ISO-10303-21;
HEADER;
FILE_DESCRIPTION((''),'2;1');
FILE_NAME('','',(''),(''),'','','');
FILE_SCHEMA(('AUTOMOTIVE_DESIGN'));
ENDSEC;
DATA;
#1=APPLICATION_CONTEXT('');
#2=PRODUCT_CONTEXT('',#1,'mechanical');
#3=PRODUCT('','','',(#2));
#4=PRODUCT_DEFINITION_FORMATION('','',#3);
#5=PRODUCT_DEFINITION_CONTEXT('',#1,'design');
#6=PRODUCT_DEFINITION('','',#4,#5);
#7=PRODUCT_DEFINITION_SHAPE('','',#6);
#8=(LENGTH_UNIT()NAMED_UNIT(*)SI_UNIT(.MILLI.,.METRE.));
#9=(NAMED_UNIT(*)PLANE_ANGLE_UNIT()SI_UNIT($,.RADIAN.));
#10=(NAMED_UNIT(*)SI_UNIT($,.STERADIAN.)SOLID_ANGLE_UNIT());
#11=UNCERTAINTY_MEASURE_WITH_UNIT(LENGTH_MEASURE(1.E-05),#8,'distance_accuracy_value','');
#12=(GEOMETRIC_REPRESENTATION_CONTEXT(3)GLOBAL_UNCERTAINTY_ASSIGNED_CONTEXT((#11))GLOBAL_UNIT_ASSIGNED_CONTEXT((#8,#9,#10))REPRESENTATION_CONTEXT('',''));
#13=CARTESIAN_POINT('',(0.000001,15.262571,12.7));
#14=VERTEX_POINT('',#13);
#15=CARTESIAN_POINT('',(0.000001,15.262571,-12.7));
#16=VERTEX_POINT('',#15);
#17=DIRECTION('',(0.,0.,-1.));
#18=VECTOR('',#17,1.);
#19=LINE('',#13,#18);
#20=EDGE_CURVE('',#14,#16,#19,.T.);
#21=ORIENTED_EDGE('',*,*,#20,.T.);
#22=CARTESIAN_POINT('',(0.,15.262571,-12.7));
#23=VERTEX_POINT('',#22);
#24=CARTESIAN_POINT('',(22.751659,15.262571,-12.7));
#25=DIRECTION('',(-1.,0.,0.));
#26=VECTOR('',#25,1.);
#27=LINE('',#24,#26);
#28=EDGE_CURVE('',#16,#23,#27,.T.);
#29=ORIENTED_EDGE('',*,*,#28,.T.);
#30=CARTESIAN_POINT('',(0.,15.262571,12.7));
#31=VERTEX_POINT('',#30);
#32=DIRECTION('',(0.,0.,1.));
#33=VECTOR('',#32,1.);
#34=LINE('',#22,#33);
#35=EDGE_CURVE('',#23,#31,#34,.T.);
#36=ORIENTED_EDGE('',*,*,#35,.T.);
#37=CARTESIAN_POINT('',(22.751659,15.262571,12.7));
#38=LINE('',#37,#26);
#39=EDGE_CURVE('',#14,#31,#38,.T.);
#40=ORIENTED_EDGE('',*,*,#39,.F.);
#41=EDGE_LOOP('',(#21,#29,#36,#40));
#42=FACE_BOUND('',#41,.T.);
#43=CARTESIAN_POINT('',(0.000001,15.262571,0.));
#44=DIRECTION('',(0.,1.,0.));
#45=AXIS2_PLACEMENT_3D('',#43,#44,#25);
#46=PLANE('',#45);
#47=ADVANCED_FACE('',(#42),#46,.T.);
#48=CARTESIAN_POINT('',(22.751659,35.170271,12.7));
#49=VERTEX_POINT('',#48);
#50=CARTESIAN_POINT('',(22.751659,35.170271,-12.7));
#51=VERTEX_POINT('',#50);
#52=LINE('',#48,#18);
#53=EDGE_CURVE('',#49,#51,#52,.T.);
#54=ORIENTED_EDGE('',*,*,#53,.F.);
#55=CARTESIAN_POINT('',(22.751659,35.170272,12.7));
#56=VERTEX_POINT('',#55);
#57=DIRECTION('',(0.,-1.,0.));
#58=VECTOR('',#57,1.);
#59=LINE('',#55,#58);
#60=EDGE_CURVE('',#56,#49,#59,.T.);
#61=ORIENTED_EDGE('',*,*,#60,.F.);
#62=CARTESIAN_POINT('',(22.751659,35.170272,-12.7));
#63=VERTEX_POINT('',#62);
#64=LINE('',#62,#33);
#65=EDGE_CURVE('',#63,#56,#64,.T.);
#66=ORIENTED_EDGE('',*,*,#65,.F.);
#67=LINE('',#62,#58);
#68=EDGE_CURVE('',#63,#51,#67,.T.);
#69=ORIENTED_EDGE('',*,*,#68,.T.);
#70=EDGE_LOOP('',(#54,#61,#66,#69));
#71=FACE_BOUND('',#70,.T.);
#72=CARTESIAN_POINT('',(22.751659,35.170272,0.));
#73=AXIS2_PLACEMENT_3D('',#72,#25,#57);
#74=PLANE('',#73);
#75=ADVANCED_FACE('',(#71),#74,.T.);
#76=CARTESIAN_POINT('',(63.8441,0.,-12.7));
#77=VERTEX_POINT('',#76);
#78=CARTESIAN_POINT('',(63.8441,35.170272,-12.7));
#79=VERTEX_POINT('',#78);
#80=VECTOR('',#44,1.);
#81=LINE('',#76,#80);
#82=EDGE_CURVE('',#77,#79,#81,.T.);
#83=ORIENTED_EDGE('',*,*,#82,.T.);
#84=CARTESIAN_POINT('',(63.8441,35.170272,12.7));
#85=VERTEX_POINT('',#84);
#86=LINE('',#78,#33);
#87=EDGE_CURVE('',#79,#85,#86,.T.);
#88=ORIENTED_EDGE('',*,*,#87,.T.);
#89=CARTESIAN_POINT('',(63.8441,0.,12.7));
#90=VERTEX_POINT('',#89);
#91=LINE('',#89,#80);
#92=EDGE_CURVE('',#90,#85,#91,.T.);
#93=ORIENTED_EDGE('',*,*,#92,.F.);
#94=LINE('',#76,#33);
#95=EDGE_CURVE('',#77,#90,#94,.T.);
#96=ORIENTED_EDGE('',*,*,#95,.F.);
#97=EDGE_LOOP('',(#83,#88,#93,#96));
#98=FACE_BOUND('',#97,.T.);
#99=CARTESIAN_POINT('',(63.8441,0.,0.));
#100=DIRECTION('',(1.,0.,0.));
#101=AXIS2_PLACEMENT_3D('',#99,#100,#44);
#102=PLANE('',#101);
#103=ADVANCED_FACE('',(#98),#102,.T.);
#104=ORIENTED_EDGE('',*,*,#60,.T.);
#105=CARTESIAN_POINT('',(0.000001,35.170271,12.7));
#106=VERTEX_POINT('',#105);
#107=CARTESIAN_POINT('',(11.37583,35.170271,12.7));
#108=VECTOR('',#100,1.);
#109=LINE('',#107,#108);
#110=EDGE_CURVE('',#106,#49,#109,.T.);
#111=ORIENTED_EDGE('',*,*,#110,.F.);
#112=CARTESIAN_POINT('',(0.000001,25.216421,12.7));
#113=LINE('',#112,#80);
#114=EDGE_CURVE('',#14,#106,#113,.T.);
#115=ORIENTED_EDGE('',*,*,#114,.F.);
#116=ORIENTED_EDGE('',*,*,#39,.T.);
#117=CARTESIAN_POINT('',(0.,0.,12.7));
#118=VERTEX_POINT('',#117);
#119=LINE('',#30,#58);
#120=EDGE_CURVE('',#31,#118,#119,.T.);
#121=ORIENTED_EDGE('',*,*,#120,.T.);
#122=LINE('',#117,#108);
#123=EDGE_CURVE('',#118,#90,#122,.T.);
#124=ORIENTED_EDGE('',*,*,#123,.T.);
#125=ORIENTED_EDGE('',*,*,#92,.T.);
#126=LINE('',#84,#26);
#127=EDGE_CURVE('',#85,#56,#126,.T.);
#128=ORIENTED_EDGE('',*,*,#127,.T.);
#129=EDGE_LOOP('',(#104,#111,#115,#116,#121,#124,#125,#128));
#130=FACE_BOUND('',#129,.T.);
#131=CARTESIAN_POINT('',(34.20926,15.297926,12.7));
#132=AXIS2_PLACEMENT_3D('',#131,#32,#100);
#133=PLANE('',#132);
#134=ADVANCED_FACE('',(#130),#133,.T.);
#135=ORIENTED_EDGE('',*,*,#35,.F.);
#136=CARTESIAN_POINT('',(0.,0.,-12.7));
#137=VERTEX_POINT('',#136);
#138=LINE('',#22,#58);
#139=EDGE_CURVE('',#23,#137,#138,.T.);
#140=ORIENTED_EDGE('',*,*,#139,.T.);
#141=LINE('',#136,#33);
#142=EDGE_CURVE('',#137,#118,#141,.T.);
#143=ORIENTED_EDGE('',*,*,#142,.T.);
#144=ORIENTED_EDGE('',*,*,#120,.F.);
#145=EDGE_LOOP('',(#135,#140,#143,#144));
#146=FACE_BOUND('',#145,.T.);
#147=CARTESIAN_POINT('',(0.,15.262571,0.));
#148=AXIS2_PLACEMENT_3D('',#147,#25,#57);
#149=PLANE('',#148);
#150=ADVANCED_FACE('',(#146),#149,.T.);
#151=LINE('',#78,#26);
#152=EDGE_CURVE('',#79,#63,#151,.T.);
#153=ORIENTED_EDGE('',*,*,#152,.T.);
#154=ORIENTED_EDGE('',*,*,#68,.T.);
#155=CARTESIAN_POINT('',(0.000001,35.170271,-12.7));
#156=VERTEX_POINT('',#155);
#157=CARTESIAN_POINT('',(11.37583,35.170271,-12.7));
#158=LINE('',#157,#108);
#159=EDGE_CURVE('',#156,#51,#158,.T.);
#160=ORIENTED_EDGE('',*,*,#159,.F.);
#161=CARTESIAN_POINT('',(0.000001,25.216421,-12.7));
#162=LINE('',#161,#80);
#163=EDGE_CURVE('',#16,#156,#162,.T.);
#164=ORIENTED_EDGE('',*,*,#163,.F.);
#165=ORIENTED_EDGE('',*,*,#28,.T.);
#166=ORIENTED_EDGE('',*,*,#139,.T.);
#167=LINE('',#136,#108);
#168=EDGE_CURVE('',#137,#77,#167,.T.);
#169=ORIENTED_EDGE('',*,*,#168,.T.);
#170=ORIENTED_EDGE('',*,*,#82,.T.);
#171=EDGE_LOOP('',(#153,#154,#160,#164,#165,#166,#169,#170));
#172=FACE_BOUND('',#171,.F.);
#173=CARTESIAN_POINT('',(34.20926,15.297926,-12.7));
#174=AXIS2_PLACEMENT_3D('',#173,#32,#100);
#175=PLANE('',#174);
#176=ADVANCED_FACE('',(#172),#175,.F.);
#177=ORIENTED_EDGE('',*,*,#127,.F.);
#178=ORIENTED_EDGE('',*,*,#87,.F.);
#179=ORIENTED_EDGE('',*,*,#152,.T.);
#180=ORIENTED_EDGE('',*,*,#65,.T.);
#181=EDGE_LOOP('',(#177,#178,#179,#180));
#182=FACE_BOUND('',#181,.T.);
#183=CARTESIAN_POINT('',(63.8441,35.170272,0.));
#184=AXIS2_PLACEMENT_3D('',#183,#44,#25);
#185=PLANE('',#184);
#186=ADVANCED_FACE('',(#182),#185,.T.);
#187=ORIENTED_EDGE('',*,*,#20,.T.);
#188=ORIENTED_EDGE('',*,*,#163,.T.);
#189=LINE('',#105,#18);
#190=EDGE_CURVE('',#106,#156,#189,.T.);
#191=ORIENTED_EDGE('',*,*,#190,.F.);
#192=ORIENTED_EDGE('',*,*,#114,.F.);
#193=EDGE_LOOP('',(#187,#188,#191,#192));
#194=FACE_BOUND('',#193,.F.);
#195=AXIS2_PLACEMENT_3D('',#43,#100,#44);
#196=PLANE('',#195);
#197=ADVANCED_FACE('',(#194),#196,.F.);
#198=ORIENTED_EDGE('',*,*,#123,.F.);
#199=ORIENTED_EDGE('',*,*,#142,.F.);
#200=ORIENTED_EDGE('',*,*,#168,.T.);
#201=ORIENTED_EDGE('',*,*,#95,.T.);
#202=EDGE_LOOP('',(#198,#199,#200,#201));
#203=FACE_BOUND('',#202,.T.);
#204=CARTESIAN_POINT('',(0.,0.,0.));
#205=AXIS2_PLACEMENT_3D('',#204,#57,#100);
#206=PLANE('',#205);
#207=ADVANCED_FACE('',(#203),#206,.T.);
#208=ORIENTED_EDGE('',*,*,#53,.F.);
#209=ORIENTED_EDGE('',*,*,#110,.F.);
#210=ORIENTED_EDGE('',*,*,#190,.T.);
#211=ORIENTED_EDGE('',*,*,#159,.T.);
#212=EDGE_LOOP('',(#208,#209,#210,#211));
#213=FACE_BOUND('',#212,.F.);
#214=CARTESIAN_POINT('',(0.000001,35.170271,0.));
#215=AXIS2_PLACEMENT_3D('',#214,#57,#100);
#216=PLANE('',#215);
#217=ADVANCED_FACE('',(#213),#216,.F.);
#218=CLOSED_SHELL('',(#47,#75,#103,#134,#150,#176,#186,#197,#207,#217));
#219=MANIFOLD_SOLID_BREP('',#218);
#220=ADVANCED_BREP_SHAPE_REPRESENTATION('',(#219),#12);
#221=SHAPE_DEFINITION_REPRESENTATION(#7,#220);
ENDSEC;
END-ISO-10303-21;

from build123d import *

# Parameters (mm, degrees)
F0_W     = 22.751659
F0_H     = 19.907701
F1_DEPTH = 12.7


with BuildPart() as f1:
    # F0 (on Top) → F1 (new body, symmetric)
    with BuildSketch(Plane.XY):
        Polygon((0, 15.262571), (0, 0), (63.8441, 0), (63.8441, 35.170272), (22.751659, 35.170272), (22.751659, 15.262571), align=None)
        with Locations((11.37583, 25.216421)):
            Rectangle(F0_W, F0_H)
    extrude(amount=F1_DEPTH, both=True)


solid = f1.part
